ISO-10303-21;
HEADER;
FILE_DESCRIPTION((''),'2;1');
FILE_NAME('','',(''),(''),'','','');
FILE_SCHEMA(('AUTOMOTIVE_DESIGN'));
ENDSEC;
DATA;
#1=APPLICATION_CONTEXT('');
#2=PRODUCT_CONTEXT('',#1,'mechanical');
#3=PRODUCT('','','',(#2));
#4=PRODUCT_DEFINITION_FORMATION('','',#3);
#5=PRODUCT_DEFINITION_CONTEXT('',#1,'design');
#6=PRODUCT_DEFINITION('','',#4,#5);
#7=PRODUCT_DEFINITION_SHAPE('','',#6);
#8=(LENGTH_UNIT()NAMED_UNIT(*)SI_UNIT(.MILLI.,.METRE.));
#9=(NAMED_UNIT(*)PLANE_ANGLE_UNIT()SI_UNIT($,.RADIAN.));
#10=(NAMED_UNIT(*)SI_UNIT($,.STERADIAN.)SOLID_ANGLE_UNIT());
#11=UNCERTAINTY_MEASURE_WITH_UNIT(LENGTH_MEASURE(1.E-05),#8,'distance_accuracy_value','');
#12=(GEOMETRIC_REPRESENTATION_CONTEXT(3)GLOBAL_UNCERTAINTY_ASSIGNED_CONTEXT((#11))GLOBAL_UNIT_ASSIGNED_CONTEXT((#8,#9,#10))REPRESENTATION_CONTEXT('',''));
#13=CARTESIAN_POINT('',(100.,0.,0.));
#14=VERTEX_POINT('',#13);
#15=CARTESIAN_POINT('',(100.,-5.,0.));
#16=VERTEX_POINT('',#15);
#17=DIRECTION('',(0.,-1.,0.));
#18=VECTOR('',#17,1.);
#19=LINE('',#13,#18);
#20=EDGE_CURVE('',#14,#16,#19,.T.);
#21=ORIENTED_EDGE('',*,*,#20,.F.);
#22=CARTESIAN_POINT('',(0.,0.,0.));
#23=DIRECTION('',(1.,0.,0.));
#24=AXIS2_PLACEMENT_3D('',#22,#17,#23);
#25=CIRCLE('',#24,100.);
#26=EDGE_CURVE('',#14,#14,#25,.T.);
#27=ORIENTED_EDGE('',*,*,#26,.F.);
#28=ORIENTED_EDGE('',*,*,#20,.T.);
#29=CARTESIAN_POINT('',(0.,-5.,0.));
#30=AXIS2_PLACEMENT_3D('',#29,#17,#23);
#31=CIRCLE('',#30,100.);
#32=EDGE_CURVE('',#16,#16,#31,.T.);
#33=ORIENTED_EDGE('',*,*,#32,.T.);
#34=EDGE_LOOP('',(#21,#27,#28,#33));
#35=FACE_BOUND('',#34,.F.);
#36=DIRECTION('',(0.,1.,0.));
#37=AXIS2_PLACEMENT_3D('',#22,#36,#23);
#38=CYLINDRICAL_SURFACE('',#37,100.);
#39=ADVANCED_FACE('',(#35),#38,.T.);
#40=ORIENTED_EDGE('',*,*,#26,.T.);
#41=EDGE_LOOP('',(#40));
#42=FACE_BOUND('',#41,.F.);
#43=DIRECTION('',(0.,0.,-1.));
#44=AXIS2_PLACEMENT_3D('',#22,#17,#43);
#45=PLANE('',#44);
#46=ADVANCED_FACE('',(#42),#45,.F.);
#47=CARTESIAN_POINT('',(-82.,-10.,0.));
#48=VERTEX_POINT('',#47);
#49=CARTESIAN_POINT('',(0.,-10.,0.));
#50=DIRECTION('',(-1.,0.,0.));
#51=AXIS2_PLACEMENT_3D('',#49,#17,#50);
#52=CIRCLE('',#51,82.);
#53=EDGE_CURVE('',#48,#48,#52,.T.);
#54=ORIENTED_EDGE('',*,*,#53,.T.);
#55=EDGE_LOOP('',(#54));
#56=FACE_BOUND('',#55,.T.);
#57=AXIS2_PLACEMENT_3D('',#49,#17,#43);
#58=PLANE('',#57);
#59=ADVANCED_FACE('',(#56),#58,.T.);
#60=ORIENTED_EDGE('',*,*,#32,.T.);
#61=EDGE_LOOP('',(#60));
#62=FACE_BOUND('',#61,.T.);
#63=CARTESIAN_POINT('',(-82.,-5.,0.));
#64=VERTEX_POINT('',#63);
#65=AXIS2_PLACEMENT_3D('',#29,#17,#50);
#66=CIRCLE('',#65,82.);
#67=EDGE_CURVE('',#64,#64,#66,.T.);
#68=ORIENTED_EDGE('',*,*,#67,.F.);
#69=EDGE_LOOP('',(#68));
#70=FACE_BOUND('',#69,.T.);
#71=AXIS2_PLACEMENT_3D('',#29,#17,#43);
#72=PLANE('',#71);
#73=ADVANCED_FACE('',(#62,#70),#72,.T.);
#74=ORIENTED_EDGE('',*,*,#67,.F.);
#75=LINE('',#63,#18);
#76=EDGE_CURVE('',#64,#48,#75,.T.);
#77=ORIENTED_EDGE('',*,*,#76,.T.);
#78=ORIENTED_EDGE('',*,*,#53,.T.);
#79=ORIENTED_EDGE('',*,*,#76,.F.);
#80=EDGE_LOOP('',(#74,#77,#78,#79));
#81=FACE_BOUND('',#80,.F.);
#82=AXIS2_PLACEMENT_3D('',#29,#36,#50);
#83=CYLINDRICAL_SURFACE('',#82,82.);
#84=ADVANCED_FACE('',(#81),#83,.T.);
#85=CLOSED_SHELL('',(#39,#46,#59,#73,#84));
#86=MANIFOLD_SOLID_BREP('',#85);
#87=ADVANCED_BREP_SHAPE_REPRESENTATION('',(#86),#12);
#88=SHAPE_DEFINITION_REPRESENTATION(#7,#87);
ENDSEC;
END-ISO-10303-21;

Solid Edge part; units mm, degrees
sketch "Sketch1" plane through (0, 0, 0) normal (0, -1, 0) x (1, 0, 0)
  circle A0 centre (0, 0) radius 100
extrude "Protrusion1" add sketch "Sketch1" along normal blind 5
sketch "Sketch2" plane through (0, -5, 0) normal (0, -1, 0) x (-1, 0, 0)
  circle A0 centre (0, 0) radius 82
extrude "Protrusão_Extrudada_2" add sketch "Sketch2" along normal blind 5
